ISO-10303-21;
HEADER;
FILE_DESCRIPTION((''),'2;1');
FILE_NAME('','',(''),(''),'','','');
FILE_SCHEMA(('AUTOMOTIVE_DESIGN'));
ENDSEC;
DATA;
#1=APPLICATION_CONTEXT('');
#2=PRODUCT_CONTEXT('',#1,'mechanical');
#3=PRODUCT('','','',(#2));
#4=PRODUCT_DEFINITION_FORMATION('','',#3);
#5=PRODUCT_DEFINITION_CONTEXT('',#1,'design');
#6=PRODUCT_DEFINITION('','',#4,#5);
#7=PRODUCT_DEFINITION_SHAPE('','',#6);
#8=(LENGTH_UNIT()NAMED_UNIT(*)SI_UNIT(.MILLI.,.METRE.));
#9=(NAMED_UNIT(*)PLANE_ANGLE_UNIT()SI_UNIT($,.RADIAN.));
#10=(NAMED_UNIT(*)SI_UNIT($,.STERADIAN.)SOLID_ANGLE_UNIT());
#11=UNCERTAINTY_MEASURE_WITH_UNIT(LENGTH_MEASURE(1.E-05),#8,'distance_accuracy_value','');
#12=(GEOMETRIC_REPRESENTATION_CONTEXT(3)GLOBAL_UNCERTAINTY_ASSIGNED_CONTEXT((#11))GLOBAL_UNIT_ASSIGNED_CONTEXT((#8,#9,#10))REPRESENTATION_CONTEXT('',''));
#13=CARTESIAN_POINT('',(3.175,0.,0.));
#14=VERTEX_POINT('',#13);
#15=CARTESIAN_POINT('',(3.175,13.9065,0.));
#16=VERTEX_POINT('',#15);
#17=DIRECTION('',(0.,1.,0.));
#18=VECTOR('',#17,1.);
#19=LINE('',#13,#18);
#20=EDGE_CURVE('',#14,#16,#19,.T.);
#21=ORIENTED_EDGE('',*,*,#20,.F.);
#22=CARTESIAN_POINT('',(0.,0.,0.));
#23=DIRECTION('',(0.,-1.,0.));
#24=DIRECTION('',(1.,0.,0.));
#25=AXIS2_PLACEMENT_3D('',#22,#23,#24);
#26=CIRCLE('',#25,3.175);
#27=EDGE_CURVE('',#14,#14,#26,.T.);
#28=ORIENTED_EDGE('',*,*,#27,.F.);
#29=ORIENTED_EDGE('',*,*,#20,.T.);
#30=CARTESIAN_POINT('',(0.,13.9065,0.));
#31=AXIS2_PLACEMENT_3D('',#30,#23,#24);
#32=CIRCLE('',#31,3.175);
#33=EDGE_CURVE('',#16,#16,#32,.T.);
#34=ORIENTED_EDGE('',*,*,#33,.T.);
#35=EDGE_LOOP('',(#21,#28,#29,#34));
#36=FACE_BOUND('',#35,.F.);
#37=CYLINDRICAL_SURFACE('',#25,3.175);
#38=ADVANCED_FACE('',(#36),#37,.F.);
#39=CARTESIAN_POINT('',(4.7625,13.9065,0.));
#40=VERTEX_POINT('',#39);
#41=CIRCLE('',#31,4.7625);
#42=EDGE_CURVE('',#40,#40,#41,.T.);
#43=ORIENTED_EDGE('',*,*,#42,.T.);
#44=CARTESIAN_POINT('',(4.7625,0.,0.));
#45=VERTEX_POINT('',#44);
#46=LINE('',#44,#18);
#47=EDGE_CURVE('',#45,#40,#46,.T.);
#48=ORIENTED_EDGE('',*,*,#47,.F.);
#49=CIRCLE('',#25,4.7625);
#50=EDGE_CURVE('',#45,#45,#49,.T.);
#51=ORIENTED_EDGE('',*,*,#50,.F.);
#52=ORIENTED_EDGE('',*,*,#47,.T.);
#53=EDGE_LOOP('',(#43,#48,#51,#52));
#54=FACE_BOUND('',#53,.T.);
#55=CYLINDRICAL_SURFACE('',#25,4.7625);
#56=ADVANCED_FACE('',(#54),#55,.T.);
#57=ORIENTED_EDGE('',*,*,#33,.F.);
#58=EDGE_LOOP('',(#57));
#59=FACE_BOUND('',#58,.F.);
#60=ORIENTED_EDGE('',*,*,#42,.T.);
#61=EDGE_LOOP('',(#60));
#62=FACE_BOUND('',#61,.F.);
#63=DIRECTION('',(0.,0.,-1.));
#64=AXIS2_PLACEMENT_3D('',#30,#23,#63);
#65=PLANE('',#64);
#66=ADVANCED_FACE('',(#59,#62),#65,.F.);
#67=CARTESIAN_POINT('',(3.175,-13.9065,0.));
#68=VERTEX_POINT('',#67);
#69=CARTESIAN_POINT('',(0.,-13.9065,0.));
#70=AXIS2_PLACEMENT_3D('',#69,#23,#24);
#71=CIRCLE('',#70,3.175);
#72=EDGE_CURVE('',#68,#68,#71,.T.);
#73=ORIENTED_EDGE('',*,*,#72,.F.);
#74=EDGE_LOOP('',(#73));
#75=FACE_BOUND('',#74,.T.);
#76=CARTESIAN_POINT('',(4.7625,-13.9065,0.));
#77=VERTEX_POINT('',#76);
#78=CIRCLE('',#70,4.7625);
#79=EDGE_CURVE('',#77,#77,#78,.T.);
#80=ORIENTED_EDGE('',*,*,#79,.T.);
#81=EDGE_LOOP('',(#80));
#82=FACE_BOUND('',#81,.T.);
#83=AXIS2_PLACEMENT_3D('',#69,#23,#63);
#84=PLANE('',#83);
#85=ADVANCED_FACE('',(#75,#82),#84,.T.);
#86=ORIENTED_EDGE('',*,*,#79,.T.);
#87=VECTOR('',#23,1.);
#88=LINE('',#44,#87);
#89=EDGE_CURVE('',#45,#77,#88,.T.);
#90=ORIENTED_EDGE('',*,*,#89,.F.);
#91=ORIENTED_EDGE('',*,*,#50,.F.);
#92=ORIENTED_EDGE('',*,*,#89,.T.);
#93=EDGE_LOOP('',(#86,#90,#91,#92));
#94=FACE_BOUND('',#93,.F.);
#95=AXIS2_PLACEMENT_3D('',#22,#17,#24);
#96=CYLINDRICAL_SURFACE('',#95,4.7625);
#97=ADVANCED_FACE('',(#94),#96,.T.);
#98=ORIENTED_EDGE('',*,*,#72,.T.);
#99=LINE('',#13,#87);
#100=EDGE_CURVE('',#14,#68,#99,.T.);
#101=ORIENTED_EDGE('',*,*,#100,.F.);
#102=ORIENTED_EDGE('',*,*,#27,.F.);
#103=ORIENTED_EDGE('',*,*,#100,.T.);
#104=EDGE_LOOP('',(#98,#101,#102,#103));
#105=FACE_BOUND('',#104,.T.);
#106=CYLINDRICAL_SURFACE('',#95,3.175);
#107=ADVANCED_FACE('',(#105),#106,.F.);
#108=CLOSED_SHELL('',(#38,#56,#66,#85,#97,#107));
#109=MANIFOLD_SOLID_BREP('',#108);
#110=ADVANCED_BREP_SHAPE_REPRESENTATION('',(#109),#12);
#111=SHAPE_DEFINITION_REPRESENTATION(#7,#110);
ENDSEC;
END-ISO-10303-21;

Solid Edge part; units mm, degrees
sketch "Sketch1" plane through (0, 0, 0) normal (0, -1, 0) x (1, 0, 0)
  circle A0 centre (0, 0) radius 3.175
  circle A1 centre (0, 0) radius 4.7625
extrude "Protrusion1" add sketch "Sketch1" along normal mid plane 27.813
